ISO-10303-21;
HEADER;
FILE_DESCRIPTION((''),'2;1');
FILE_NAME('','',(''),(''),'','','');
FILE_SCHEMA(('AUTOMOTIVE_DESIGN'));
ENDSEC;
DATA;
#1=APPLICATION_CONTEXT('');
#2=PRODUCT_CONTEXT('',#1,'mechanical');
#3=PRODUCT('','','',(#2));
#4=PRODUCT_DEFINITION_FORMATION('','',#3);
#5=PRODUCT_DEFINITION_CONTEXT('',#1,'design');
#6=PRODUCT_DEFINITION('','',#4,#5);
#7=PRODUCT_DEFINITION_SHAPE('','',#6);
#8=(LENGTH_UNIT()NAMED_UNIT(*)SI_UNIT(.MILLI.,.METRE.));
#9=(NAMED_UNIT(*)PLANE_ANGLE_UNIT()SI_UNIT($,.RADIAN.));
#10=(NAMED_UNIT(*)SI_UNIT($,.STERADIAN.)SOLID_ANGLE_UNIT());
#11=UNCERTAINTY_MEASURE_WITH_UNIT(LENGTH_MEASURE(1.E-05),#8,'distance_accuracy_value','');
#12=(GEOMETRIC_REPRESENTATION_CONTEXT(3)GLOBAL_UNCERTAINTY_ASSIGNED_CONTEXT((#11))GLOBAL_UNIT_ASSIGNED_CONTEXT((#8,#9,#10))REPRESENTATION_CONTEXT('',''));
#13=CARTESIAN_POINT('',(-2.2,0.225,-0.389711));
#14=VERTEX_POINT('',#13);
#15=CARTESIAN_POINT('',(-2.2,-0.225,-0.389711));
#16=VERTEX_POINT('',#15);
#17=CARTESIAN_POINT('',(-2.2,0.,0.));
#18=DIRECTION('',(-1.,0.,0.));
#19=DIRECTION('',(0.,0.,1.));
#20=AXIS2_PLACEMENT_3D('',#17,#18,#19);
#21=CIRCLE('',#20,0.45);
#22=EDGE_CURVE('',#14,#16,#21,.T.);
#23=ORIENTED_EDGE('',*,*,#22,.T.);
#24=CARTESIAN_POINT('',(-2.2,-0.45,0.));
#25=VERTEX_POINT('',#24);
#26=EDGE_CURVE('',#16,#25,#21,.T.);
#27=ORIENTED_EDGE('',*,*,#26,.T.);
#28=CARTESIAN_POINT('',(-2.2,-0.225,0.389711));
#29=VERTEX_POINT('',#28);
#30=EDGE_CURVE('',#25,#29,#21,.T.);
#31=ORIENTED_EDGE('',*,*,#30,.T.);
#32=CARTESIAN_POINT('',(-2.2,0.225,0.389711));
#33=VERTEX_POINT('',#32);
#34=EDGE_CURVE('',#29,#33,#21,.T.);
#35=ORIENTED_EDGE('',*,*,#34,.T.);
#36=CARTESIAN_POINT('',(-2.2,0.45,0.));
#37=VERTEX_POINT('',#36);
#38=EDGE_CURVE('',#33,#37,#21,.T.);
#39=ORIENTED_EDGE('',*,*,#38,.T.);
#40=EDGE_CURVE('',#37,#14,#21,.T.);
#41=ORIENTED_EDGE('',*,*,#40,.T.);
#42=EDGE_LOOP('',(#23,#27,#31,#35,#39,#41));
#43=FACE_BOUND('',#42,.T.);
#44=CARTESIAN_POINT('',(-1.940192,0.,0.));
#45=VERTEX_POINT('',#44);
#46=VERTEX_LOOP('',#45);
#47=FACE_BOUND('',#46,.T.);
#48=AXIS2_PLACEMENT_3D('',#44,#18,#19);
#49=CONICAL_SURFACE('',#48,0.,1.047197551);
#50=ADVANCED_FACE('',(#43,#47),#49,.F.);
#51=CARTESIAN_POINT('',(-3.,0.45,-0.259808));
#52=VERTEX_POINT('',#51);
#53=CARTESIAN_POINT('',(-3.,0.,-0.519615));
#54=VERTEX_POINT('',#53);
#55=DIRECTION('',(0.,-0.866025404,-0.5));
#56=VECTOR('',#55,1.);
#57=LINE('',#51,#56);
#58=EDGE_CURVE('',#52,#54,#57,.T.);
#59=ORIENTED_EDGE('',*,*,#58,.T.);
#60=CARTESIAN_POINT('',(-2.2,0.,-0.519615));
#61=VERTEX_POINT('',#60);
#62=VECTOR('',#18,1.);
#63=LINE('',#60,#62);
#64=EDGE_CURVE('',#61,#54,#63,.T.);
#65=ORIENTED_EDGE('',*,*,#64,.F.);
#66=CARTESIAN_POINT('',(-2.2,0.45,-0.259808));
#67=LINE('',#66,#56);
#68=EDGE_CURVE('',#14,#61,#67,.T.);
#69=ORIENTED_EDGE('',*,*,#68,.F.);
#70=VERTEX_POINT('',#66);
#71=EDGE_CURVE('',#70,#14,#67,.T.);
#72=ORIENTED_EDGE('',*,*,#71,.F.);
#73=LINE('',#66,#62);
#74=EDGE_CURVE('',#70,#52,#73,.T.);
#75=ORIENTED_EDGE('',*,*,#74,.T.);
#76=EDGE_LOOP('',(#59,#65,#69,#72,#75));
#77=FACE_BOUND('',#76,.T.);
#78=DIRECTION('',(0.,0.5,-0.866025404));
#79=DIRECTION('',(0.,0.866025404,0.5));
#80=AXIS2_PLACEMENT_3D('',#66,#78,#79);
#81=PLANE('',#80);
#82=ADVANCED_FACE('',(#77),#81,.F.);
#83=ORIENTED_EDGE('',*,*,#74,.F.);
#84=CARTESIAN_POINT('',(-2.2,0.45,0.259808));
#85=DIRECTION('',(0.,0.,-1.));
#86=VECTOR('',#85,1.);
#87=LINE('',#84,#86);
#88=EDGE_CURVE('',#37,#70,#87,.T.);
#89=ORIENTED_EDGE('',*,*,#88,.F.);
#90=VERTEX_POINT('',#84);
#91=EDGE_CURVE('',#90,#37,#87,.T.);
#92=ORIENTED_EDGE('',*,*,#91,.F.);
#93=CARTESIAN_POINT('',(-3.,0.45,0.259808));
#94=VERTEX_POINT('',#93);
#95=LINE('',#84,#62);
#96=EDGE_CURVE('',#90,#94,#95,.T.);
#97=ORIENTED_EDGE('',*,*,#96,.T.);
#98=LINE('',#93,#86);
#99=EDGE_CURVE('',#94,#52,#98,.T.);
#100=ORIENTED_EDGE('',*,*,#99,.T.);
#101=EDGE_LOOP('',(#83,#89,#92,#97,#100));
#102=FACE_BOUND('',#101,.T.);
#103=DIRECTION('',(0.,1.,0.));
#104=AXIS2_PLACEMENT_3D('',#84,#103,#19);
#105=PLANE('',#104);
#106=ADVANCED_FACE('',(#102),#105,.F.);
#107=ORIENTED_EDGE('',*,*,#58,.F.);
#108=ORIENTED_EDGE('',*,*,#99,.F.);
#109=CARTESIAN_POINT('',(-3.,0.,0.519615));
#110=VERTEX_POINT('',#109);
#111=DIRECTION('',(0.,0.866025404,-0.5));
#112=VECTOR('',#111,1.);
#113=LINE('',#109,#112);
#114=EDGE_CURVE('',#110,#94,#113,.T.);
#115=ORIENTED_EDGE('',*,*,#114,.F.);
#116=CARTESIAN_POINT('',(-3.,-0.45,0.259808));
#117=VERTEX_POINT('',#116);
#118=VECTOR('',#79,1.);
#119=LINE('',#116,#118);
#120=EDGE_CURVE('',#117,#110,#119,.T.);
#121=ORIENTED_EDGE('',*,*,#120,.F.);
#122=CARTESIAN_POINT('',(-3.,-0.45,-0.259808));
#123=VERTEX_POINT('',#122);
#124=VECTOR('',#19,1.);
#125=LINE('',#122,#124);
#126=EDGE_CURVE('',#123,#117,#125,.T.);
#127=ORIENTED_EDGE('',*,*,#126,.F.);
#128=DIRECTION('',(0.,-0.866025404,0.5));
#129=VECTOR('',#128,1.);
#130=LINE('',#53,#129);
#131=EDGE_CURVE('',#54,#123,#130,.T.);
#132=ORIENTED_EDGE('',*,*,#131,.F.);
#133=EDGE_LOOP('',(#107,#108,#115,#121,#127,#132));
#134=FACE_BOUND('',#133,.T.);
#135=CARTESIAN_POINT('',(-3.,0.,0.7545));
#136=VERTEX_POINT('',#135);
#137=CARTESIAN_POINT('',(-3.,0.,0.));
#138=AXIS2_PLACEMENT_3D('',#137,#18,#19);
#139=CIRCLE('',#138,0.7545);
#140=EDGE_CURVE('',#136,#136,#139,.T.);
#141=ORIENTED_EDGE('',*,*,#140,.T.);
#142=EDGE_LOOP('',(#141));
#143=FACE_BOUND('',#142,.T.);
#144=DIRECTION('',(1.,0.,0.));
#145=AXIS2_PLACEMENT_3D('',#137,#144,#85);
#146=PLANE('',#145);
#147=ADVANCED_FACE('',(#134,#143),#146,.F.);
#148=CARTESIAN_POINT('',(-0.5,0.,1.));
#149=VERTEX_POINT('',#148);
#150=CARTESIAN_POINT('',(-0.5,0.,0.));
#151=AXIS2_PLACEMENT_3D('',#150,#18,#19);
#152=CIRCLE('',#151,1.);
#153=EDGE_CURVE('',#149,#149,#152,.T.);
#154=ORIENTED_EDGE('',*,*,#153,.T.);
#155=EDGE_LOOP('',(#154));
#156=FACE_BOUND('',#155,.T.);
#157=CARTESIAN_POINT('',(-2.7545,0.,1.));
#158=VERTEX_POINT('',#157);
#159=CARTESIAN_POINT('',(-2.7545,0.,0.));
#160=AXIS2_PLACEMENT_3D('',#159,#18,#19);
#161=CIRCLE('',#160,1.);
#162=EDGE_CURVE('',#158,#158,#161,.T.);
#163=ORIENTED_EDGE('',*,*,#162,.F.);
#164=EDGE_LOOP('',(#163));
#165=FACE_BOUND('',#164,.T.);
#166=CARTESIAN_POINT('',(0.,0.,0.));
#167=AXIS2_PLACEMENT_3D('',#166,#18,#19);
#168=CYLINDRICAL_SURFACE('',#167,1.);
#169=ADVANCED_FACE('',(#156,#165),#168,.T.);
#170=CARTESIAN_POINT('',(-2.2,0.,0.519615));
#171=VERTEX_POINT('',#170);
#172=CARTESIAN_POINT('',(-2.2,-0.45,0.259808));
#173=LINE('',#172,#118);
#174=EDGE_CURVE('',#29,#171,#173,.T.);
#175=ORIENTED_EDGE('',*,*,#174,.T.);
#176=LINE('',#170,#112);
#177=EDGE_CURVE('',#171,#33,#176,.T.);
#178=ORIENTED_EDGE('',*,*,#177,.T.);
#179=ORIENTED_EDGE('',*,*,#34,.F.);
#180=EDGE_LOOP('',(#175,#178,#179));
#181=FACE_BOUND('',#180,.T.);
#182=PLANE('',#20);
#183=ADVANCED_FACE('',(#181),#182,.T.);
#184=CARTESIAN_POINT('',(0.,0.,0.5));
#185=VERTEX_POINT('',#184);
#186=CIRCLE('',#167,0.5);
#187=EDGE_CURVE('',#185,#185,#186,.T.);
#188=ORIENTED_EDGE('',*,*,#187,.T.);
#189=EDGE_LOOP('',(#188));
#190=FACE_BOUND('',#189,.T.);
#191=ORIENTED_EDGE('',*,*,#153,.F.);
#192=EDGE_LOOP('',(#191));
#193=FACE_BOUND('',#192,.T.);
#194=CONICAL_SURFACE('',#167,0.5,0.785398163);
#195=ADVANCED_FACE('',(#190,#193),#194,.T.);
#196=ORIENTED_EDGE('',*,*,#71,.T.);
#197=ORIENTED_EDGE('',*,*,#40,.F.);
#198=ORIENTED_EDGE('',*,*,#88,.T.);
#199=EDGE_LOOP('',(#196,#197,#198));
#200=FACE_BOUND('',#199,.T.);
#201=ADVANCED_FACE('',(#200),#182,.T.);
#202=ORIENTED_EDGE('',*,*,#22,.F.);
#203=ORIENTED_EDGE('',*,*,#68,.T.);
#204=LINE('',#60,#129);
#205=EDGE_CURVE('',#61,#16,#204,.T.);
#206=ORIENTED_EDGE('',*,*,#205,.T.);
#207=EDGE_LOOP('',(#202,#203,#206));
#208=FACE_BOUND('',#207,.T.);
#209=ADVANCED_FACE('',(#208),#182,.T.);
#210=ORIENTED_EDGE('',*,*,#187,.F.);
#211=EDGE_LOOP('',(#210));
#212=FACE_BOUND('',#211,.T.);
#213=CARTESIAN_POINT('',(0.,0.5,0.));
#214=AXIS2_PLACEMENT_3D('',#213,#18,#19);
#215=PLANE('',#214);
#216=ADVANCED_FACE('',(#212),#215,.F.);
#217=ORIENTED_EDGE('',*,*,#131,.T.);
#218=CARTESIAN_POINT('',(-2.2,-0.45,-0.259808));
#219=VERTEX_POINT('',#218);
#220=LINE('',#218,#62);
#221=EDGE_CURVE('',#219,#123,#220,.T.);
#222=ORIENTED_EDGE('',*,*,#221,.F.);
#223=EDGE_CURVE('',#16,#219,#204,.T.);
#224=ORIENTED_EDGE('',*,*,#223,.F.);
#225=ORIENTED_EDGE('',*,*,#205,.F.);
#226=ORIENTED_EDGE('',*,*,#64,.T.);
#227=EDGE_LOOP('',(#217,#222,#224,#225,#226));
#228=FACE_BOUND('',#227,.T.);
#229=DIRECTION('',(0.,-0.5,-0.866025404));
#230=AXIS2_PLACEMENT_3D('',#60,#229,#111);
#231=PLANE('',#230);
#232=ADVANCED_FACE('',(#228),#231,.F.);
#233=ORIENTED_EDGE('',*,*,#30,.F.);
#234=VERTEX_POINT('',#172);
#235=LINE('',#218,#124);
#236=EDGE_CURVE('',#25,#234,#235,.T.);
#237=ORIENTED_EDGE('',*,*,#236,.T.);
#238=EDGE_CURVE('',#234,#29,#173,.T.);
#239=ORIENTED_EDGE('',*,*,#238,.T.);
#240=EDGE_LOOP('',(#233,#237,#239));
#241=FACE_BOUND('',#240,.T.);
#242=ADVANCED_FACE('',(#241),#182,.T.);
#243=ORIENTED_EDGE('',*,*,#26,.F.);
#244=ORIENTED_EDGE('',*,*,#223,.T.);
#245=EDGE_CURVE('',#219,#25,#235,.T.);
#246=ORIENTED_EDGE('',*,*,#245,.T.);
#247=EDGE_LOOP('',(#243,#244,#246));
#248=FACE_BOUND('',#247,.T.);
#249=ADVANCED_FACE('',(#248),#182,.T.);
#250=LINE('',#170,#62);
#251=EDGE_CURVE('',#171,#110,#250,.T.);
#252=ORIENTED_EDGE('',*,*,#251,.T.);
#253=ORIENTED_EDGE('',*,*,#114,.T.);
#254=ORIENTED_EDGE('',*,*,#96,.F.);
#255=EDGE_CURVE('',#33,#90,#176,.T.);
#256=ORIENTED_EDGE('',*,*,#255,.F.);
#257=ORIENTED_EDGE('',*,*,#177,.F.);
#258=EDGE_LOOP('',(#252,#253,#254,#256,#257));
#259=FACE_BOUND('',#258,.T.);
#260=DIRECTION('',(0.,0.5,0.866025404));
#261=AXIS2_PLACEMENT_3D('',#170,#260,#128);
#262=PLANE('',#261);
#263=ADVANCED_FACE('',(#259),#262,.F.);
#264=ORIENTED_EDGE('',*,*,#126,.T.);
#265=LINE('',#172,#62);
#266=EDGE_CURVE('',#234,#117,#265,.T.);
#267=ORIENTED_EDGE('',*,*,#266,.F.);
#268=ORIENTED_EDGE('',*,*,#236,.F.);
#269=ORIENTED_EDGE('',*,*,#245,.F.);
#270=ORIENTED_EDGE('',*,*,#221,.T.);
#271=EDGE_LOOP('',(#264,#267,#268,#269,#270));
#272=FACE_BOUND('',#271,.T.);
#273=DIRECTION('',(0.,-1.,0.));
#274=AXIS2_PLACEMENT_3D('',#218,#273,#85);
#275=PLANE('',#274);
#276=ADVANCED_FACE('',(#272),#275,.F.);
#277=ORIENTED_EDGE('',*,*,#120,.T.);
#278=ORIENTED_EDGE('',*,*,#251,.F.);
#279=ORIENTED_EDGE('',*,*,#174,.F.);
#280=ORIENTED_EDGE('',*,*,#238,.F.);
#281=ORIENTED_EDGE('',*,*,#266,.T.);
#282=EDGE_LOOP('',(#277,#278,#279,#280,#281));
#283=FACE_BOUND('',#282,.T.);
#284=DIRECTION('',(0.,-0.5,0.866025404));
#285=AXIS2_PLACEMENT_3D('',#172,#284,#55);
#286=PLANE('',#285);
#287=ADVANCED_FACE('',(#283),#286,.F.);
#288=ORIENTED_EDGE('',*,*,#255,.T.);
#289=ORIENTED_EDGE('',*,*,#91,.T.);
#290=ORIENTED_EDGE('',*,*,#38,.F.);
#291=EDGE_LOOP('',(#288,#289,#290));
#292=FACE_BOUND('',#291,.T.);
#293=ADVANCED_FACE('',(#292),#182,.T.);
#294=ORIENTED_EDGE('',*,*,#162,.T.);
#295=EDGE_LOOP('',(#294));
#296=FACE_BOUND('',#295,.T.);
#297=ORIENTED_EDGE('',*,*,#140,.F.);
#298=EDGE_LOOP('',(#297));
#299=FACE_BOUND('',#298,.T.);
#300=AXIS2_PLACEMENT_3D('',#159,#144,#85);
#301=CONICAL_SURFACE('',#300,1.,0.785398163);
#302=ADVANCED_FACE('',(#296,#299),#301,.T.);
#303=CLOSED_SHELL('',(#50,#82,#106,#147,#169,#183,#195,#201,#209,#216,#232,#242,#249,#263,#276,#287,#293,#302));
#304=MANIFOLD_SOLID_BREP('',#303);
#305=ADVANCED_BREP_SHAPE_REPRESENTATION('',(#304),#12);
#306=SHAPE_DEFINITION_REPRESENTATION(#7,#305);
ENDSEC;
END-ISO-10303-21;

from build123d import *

# Parameters (mm, degrees)
CUT_EXTRUDE1_DEPTH = 0.8


with BuildPart() as part:
    # Sketch1 → Revolve1 (revolve)
    with BuildSketch(Plane.XY, mode=Mode.PRIVATE) as revolve1_sk:
        Polygon((-3, 0), (-3, 0.7545), (-2.7545, 1), (-0.5, 1), (0, 0.5), (0, 0), align=None)
    revolve(revolve1_sk.sketch.rotate(Axis((0, 0, 0), (-1, 0, 0)), 270), axis=Axis((0, 0, 0), (-1, 0, 0)))

    # Sketch2 → Cut-Extrude1 (cut)
    with BuildSketch(Plane.ZY.offset(3)):
        Polygon((-0.259807621, -0.45), (0.259807621, -0.45), (0.519615242, 0), (0.259807621, 0.45), (-0.259807621, 0.45), (-0.519615242, 0), align=None)
    extrude(amount=-CUT_EXTRUDE1_DEPTH, mode=Mode.SUBTRACT)

    # Sketch3 → Cut-Revolve1 (revolve, cut)
    with BuildSketch(Plane.XY, mode=Mode.PRIVATE) as cut_revolve1_sk:
        Polygon((-2.2, 0), (-2.2, 0.45), (-1.940192379, 0), align=None)
    revolve(cut_revolve1_sk.sketch.rotate(Axis((-1.940192379, 0, 0), (-1, 0, 0)), 270), axis=Axis((-1.940192379, 0, 0), (-1, 0, 0)), mode=Mode.SUBTRACT)


solid = part.part
